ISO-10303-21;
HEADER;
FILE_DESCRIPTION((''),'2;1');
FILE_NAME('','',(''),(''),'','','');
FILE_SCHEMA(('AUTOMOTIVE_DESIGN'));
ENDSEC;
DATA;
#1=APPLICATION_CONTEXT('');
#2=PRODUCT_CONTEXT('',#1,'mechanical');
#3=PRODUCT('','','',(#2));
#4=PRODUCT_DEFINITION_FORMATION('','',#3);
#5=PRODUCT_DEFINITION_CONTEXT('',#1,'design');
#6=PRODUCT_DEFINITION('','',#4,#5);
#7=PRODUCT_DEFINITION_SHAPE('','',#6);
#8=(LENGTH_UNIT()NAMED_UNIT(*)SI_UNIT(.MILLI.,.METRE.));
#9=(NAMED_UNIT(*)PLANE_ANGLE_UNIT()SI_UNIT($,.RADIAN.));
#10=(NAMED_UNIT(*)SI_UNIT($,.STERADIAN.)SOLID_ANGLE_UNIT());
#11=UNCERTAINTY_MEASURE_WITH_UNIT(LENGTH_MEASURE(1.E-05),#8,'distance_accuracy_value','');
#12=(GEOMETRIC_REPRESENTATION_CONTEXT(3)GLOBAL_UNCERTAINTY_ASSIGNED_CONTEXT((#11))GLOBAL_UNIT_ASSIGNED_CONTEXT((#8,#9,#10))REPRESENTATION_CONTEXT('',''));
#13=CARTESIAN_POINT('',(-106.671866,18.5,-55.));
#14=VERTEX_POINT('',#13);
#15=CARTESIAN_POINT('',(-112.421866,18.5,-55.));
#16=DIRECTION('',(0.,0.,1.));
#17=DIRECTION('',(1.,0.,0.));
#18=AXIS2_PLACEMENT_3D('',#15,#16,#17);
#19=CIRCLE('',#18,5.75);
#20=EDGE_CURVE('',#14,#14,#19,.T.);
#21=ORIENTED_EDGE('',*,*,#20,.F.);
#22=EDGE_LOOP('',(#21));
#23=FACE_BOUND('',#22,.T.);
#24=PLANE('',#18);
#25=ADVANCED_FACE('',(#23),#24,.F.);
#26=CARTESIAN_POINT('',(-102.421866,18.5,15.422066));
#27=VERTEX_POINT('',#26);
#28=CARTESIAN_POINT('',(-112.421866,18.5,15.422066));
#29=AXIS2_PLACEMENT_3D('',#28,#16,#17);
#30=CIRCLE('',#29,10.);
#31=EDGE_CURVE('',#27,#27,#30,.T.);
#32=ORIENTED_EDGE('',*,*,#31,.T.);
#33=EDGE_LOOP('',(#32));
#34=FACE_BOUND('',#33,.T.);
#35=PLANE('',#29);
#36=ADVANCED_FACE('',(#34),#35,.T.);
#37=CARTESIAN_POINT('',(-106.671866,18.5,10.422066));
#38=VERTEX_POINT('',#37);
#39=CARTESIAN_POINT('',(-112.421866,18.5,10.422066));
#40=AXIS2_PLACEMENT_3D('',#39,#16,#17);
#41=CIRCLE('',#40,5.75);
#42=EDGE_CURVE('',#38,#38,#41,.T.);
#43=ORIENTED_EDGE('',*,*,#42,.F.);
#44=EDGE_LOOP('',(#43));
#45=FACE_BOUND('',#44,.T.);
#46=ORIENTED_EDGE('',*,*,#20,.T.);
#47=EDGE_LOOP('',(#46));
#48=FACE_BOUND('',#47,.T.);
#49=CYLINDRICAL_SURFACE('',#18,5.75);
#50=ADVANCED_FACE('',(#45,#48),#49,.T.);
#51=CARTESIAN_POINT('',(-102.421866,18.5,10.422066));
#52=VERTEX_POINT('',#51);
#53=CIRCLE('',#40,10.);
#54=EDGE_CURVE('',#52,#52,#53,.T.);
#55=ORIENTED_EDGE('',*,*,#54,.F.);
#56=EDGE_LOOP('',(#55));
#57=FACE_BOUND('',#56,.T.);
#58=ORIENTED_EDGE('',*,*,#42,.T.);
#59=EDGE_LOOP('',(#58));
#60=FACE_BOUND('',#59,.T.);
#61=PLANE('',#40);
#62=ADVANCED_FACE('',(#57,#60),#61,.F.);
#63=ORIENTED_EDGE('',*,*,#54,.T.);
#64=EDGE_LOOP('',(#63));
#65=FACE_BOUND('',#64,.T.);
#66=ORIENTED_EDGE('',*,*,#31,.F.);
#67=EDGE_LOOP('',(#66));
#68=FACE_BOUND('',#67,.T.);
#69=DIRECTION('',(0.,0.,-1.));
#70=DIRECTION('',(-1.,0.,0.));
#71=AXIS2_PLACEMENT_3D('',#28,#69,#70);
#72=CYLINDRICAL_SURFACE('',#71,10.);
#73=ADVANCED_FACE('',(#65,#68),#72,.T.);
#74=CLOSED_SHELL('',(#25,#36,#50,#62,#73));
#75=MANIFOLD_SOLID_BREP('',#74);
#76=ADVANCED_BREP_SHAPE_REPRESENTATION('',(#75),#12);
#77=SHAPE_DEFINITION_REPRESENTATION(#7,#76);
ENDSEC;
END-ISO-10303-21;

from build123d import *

# Parameters (mm, degrees)
EXTRUDE_1_DEPTH      = 10.422066
EXTRUDE_1_DEPTH_BACK = 55
SKETCH_1_R           = 5.75
SKETCH_2_R           = 10
EXTRUDE_2_DEPTH      = 5


with BuildPart() as part:
    # 草图1 → 凸台-拉伸1 (new, two sides: drawn at the far end of the back side and taken through both)
    with BuildSketch(Plane.XY.offset(-EXTRUDE_1_DEPTH_BACK)):
        with Locations((-112.4218656, 18.5)):
            Circle(SKETCH_1_R)
    extrude(amount=EXTRUDE_1_DEPTH + EXTRUDE_1_DEPTH_BACK)


with BuildPart() as extrude_2_tool:
    # 草图2 → 凸台-拉伸2 (new body)
    with BuildSketch(Plane.XY.offset(10.422066321)):
        with Locations((-112.4218656, 18.5)):
            Circle(SKETCH_2_R)
    extrude(amount=EXTRUDE_2_DEPTH)


with BuildPart() as part_1:
    add(part.part)


with BuildPart() as part_2:
    # 凸台-拉伸2: joined with extrude_2_tool
    add(part_1.part.fuse(extrude_2_tool.part, tol=0.00001))


solid = part_2.part
